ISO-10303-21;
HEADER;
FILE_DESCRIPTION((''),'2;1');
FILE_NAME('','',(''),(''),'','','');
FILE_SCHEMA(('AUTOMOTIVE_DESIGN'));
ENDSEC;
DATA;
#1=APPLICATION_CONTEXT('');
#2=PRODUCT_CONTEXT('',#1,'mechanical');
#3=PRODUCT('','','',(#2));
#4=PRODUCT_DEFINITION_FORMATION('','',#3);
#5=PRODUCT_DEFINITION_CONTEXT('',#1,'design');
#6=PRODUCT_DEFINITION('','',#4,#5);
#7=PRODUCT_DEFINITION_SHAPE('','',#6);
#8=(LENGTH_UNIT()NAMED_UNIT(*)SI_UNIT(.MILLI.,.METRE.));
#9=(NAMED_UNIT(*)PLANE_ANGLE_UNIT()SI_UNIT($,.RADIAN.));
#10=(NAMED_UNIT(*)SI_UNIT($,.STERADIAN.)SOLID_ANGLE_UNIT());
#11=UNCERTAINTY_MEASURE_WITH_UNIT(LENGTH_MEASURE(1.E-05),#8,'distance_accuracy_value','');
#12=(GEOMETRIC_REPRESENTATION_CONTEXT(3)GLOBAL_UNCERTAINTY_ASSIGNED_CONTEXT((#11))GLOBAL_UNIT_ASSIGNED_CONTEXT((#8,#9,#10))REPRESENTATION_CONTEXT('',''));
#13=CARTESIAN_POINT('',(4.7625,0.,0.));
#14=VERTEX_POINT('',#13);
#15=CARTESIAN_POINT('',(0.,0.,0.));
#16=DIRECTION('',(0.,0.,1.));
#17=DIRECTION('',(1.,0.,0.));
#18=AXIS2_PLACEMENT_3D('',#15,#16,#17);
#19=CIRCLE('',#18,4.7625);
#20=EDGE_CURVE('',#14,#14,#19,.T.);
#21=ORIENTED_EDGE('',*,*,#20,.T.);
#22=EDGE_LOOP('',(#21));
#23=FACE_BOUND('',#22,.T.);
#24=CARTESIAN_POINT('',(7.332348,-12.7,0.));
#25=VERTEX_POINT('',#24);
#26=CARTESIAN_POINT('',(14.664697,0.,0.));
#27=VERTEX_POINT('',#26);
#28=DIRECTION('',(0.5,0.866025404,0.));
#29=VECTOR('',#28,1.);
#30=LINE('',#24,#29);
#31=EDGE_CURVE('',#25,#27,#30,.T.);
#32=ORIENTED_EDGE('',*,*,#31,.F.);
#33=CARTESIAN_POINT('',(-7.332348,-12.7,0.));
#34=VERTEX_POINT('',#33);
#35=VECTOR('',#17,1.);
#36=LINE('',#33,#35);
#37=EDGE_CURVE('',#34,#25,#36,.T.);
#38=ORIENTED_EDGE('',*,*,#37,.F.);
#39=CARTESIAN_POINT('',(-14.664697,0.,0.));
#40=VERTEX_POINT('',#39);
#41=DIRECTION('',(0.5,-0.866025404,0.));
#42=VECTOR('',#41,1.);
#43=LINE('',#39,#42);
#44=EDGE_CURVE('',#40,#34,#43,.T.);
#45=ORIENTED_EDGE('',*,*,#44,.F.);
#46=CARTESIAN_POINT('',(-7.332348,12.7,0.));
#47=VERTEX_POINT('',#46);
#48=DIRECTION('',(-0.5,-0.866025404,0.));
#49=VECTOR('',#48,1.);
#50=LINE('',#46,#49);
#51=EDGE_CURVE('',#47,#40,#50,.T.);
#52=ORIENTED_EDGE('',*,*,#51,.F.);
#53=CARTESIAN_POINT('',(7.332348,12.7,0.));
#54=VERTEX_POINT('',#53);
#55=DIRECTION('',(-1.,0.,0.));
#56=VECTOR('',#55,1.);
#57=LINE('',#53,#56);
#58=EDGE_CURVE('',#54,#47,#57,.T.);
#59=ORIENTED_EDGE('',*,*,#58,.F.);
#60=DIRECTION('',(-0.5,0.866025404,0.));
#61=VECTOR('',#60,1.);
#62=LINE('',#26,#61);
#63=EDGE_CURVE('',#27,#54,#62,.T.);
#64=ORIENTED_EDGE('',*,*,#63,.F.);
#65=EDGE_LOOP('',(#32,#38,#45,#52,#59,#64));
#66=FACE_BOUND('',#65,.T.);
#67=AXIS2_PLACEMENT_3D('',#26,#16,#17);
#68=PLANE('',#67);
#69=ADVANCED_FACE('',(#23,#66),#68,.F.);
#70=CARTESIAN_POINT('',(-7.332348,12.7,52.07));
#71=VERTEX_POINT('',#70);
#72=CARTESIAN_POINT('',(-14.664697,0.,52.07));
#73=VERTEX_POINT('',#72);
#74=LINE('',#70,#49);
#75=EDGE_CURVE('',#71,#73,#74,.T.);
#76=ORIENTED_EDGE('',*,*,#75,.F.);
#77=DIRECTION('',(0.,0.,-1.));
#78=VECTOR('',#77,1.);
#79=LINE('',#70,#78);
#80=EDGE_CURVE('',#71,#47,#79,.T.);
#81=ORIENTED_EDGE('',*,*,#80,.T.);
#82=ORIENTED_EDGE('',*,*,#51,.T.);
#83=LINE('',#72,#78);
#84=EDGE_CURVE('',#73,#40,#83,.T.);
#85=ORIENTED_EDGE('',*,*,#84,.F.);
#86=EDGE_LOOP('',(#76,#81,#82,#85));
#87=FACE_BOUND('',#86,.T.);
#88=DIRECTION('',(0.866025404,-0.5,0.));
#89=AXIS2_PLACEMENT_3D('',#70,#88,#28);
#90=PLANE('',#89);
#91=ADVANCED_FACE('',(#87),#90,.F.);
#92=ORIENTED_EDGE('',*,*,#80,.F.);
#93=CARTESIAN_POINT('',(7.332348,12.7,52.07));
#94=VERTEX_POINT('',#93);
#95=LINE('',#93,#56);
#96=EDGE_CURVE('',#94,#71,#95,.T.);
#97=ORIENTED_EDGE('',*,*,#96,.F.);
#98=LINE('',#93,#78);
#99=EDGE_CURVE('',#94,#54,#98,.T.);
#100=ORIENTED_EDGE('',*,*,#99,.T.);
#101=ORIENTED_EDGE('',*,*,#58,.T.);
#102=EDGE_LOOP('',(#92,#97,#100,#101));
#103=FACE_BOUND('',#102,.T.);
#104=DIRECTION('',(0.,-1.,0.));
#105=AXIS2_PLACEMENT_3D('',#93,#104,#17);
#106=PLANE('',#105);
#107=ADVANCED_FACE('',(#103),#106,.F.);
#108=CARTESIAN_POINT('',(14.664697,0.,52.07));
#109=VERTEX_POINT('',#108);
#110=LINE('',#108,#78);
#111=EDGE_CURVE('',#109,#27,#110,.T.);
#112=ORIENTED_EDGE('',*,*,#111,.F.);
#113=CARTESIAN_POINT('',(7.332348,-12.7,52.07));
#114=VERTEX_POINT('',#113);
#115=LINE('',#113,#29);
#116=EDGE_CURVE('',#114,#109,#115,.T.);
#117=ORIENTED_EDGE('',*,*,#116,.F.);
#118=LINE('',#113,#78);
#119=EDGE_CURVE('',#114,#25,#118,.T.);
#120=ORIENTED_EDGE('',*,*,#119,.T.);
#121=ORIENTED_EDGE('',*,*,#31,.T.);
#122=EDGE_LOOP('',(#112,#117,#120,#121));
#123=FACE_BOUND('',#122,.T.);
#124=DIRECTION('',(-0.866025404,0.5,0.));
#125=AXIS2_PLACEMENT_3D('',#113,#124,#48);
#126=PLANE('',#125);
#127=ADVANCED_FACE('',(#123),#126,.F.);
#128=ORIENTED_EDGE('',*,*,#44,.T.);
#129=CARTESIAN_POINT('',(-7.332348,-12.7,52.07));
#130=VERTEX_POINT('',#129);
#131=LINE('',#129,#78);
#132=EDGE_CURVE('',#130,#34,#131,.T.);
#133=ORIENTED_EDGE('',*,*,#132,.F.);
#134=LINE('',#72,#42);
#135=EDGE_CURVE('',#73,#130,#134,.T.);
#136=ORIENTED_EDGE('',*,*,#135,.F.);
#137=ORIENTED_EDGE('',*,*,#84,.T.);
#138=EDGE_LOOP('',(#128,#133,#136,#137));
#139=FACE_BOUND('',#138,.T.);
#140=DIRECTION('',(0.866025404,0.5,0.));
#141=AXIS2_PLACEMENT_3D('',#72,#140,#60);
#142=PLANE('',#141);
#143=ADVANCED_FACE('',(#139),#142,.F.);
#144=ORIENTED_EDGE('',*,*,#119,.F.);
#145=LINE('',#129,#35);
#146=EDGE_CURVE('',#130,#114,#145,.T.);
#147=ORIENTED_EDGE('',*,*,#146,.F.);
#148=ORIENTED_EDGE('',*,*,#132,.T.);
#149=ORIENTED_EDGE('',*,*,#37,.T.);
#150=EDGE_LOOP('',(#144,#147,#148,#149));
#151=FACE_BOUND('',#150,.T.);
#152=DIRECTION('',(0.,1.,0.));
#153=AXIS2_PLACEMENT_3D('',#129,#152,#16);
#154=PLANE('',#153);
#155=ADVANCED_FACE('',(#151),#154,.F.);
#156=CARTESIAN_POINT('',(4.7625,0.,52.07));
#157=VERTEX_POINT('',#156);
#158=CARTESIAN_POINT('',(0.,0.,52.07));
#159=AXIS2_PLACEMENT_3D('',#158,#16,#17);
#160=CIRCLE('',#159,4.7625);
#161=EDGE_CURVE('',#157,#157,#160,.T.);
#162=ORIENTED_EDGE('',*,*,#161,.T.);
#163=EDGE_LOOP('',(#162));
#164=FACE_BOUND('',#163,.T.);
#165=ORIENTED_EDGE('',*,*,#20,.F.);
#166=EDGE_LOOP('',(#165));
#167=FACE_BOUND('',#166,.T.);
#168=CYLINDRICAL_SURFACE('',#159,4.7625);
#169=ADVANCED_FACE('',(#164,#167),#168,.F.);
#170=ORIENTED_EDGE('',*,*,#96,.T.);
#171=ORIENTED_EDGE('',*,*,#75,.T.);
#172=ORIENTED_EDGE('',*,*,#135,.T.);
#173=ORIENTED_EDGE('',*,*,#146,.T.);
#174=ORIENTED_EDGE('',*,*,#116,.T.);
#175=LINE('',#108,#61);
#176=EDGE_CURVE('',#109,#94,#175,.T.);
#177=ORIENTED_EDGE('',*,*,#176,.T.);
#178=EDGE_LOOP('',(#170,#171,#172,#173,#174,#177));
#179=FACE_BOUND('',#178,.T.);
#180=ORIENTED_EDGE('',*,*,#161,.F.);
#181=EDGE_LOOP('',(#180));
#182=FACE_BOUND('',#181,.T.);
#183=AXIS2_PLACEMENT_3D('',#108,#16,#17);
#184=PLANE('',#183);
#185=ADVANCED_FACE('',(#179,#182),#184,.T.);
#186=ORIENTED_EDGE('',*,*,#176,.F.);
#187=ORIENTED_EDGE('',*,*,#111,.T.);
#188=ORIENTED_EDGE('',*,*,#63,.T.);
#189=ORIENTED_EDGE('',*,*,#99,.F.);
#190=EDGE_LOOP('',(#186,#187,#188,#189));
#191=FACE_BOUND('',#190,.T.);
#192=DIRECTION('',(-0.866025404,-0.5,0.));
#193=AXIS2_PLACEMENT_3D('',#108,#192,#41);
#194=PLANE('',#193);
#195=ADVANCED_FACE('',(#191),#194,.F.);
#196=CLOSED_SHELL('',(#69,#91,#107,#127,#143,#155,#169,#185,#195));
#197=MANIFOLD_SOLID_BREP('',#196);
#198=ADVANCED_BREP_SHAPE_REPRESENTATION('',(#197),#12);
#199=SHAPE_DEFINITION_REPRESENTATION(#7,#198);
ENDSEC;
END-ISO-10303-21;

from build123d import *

# Parameters (mm, degrees)
EXTRUDE1_DEPTH          = 52.07
F_3_8_16_TAPPED_HOLE1_D = 9.525


with BuildPart() as part:
    # Sketch1 → Extrude1 (new body)
    with BuildSketch(Plane.XY):
        Polygon((14.664696837, 0), (7.332348419, 12.7), (-7.332348419, 12.7), (-14.664696837, 0), (-7.332348419, -12.7), (7.332348419, -12.7), align=None)
    extrude(amount=EXTRUDE1_DEPTH)

    # 3/8-16 Tapped Hole1 (through all)
    with Locations(Plane.XY.offset(52.07)):
        with Locations((0, 0)):
            Hole(F_3_8_16_TAPPED_HOLE1_D / 2)


solid = part.part
